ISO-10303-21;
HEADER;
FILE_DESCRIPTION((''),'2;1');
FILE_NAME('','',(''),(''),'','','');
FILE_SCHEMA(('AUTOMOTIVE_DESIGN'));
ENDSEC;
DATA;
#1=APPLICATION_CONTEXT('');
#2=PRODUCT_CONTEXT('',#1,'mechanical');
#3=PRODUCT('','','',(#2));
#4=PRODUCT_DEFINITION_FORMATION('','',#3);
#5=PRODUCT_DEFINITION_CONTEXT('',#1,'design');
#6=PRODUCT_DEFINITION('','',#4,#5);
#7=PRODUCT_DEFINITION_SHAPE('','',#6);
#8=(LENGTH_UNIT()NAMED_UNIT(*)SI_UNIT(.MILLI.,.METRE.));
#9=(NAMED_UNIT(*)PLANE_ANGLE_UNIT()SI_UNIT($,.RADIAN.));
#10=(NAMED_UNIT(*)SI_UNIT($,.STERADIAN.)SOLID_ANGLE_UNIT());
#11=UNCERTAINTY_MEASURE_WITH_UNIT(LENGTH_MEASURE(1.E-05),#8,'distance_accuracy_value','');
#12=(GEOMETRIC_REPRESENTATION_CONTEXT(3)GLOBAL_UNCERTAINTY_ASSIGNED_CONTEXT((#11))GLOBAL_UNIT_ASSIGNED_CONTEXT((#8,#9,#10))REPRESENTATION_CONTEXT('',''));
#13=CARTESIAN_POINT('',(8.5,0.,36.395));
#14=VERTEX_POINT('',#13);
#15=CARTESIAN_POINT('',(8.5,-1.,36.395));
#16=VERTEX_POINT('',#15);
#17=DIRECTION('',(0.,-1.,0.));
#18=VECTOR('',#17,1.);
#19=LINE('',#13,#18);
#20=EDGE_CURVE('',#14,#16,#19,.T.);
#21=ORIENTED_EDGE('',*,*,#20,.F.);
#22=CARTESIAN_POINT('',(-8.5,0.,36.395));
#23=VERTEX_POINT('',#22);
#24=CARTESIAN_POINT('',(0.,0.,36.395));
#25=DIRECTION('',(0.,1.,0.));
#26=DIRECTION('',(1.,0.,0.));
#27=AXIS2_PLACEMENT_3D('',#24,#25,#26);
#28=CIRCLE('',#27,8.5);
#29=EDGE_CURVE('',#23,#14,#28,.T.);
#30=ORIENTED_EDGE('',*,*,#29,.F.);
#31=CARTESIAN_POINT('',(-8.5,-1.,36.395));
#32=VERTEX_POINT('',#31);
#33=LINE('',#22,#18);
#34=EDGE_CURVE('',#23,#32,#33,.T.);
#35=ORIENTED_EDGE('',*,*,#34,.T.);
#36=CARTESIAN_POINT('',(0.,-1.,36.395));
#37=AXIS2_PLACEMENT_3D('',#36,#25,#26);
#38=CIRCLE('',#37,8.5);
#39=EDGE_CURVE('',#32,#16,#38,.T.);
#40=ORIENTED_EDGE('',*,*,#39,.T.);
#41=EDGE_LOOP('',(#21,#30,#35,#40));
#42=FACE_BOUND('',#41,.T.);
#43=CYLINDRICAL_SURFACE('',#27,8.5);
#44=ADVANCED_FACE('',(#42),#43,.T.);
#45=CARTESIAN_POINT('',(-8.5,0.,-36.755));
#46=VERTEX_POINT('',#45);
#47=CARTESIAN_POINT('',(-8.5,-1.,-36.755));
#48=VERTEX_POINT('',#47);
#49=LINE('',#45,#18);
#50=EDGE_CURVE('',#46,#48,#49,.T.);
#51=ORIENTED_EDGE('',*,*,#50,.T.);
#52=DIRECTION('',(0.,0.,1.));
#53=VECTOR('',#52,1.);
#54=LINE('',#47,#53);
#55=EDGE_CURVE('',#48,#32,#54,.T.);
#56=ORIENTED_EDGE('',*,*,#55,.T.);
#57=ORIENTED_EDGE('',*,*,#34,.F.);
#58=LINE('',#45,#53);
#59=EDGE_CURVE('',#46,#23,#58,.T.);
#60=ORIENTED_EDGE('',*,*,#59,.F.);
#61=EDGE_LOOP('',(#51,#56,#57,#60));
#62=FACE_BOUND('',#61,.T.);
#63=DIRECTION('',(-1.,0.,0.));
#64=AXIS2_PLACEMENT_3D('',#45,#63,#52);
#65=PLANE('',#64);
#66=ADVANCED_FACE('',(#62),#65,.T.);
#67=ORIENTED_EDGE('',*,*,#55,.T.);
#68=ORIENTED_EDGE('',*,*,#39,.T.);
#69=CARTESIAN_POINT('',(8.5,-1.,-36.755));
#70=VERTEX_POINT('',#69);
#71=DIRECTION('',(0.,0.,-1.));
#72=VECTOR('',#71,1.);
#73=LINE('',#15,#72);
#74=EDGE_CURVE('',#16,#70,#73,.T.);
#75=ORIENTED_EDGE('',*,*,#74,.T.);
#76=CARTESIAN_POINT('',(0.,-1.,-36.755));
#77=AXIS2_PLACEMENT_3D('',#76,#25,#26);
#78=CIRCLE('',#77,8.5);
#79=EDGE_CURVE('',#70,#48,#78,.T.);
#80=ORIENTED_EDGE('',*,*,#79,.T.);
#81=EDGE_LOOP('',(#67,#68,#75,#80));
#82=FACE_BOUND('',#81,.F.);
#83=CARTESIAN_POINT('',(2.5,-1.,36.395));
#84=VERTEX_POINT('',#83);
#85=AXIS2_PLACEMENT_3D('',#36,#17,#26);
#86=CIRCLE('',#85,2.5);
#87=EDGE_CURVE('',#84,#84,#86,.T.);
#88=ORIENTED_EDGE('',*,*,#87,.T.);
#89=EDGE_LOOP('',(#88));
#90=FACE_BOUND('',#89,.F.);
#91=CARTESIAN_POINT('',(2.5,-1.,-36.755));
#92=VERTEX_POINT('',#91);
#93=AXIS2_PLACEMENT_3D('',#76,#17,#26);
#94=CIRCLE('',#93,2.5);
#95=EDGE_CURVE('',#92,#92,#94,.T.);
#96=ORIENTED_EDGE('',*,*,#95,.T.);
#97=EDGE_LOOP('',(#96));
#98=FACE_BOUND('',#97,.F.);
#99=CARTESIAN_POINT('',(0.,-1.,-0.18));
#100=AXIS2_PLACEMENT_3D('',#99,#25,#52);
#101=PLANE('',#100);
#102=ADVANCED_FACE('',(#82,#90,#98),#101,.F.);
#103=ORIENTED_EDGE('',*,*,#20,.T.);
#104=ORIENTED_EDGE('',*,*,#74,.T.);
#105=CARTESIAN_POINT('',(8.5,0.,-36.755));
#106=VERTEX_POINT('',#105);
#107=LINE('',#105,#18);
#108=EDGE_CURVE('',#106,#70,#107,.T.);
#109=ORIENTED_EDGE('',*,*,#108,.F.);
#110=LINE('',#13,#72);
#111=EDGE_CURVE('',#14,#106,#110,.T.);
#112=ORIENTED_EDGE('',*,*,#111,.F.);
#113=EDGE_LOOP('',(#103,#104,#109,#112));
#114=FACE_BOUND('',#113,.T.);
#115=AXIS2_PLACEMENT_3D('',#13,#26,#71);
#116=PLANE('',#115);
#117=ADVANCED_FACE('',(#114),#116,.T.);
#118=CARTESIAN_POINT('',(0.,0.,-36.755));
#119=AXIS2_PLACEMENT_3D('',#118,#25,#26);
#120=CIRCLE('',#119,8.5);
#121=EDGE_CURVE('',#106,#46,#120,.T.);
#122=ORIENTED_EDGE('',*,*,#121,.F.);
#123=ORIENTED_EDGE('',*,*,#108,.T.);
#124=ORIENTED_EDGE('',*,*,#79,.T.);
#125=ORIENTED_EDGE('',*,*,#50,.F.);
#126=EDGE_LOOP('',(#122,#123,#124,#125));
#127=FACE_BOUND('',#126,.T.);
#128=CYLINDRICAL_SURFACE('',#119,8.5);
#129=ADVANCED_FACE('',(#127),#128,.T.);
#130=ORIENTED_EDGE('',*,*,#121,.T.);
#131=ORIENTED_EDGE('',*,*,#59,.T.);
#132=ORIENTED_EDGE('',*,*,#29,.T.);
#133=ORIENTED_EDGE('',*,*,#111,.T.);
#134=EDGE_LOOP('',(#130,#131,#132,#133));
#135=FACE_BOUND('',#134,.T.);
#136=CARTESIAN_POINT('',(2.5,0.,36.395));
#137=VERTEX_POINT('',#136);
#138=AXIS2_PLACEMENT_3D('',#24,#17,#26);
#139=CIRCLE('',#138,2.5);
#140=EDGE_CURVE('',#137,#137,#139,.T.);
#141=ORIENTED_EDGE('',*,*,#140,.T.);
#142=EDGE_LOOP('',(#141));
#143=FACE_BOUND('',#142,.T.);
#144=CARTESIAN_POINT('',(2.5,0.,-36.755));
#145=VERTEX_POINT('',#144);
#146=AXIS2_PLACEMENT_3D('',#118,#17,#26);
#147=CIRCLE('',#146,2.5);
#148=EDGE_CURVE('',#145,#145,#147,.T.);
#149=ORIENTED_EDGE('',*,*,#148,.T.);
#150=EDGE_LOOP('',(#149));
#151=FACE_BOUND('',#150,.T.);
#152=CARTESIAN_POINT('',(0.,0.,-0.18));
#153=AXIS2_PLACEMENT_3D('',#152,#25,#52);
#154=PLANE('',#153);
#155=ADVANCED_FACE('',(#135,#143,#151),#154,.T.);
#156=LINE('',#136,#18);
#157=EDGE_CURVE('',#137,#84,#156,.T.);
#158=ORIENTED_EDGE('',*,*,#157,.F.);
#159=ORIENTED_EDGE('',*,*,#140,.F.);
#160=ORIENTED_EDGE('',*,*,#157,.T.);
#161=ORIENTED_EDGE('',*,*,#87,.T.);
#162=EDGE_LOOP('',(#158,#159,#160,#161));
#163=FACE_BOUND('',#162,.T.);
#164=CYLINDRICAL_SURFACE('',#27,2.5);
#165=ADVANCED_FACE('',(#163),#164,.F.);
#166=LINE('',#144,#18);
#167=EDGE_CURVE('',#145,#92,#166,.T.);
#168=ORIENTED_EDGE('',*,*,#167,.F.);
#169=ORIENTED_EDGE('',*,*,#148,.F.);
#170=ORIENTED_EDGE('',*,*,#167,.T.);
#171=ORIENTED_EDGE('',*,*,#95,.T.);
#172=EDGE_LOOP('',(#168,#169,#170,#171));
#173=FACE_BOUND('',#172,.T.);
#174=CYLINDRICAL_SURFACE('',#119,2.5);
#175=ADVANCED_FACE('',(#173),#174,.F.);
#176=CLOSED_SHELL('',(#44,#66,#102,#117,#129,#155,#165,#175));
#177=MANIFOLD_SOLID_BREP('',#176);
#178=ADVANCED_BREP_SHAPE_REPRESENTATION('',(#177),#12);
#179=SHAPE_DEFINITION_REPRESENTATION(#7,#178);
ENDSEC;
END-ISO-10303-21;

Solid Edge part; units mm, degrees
sketch "Sketch1" plane through (0, 0, 0) normal (0, -1, 0) x (1, 0, 0)
  circle A0 centre (0, 36.395) radius 2.5
  line L0 (-8.5, -36.755) -> (-8.5, 36.395)
  line L1 (8.5, 36.395) -> (8.5, -36.755)
  arc A1 (-8.5, 36.395) -> (8.5, 36.395) centre (0, 36.395) cw
  arc A2 (8.5, -36.755) -> (-8.5, -36.755) centre (0, -36.755) cw
  circle A3 centre (0, -36.755) radius 2.5
extrude "Protrusion1" add sketch "Sketch1" along normal blind 1
